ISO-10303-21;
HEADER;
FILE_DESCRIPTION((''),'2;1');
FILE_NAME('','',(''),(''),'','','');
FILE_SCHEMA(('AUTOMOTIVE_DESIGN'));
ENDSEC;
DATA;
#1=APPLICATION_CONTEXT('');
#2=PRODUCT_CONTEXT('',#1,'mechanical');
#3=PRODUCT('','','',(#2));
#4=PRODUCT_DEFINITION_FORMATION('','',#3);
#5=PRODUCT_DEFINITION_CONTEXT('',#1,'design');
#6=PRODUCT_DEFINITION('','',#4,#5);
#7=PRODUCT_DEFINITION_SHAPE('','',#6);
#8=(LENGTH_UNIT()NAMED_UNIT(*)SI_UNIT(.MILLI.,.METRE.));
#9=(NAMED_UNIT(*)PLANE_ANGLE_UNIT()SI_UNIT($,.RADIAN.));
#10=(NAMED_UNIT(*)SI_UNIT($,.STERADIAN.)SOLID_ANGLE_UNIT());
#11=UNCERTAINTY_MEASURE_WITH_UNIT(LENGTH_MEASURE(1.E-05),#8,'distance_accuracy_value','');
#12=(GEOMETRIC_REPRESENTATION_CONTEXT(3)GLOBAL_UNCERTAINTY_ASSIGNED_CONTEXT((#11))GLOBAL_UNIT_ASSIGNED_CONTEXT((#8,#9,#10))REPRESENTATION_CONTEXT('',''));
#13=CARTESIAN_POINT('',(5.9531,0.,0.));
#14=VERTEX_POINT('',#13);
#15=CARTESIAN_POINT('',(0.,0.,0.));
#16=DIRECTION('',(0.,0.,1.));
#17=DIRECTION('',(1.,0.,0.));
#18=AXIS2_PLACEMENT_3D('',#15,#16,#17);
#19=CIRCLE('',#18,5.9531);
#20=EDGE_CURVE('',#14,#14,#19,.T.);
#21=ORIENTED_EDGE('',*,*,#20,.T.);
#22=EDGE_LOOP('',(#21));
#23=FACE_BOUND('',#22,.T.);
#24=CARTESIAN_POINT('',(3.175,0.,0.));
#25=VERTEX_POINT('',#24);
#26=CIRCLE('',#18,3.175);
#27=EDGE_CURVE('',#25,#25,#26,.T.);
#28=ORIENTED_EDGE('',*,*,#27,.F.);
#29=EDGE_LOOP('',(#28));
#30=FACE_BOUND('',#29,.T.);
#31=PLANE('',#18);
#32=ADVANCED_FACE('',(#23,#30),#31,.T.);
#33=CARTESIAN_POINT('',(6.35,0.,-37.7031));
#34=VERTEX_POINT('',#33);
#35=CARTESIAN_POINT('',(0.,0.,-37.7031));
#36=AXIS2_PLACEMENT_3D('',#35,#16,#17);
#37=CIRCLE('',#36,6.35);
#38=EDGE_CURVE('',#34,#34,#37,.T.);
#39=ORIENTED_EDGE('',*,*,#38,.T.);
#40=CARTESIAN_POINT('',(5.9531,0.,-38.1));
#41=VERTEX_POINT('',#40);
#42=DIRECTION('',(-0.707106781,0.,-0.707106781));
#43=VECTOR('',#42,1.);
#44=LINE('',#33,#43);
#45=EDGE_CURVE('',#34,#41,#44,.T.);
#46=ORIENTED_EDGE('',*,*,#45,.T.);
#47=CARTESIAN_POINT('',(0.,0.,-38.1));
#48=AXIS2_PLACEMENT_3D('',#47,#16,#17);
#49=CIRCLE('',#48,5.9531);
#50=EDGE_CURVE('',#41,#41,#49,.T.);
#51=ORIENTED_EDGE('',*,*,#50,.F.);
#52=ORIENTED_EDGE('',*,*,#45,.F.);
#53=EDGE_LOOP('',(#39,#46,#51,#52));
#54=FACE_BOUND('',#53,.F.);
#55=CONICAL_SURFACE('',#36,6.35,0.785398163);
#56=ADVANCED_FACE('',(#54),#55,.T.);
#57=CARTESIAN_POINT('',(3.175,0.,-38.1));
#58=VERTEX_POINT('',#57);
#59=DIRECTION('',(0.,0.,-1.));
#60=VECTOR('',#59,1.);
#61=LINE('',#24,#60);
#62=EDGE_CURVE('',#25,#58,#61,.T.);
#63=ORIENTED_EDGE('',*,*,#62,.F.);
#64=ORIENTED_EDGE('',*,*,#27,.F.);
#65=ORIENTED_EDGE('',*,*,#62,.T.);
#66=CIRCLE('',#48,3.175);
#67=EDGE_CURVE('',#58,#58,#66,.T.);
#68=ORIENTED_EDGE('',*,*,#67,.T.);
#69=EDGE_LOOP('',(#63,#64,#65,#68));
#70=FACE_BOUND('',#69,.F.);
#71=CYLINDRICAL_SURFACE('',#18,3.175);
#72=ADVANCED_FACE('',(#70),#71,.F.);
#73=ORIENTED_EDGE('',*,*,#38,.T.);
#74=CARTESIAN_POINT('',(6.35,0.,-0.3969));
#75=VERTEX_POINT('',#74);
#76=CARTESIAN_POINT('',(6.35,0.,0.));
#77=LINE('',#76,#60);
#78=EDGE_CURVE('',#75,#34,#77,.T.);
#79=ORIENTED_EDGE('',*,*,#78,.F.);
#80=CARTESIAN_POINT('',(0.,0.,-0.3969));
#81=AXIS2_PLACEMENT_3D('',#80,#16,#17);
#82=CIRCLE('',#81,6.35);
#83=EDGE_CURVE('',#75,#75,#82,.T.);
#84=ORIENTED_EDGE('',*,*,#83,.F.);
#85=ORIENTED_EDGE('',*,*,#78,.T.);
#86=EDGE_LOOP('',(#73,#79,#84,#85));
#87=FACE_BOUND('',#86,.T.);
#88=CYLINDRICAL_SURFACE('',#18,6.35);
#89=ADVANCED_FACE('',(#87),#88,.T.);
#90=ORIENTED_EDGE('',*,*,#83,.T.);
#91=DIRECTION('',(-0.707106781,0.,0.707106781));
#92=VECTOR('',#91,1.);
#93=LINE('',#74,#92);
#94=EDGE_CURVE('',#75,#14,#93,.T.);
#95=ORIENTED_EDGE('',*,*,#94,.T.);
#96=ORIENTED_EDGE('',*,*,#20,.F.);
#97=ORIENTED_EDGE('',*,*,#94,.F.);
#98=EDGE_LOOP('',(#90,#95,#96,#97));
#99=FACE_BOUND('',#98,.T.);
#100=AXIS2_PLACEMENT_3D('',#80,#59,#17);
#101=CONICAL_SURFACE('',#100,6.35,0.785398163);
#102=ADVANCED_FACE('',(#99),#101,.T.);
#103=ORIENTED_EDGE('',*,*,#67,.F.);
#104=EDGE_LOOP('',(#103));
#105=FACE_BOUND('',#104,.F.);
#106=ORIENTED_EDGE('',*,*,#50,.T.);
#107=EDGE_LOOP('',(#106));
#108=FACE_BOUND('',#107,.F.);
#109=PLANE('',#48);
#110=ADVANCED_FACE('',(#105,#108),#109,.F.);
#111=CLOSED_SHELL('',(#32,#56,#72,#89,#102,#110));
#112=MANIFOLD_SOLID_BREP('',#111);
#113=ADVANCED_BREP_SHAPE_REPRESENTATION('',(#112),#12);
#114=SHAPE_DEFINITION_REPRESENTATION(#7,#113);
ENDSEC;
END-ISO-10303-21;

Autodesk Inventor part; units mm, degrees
ref_plane "YZ Plane" through (0, 0, 0) normal (1, 0, 0) x (0, 1, 0)
ref_plane "XZ Plane" through (0, 0, 0) normal (0, 1, 0) x (-1, 0, 0)
ref_plane "XY Plane" through (0, 0, 0) normal (0, 0, 1) x (1, 0, 0)
sketch "Sketch1" plane through (0, 0, 0) normal (0, 0, 1) x (1, 0, 0)
  circle A0 centre (0, 0) radius 3.175
  circle A1 centre (0, 0) radius 6.35
  dimension "d0" = 6.35
  dimension "d1" = 12.7
extrude "Extrusion1" add sketch "Sketch1" against normal blind 38.1
chamfer "Chamfer1" distance 0.3969 angle 45 2 edges at (-6.35, 0, 0) (-6.35, 0, -38.1)
properties part number "lexan top bolt spacer"
